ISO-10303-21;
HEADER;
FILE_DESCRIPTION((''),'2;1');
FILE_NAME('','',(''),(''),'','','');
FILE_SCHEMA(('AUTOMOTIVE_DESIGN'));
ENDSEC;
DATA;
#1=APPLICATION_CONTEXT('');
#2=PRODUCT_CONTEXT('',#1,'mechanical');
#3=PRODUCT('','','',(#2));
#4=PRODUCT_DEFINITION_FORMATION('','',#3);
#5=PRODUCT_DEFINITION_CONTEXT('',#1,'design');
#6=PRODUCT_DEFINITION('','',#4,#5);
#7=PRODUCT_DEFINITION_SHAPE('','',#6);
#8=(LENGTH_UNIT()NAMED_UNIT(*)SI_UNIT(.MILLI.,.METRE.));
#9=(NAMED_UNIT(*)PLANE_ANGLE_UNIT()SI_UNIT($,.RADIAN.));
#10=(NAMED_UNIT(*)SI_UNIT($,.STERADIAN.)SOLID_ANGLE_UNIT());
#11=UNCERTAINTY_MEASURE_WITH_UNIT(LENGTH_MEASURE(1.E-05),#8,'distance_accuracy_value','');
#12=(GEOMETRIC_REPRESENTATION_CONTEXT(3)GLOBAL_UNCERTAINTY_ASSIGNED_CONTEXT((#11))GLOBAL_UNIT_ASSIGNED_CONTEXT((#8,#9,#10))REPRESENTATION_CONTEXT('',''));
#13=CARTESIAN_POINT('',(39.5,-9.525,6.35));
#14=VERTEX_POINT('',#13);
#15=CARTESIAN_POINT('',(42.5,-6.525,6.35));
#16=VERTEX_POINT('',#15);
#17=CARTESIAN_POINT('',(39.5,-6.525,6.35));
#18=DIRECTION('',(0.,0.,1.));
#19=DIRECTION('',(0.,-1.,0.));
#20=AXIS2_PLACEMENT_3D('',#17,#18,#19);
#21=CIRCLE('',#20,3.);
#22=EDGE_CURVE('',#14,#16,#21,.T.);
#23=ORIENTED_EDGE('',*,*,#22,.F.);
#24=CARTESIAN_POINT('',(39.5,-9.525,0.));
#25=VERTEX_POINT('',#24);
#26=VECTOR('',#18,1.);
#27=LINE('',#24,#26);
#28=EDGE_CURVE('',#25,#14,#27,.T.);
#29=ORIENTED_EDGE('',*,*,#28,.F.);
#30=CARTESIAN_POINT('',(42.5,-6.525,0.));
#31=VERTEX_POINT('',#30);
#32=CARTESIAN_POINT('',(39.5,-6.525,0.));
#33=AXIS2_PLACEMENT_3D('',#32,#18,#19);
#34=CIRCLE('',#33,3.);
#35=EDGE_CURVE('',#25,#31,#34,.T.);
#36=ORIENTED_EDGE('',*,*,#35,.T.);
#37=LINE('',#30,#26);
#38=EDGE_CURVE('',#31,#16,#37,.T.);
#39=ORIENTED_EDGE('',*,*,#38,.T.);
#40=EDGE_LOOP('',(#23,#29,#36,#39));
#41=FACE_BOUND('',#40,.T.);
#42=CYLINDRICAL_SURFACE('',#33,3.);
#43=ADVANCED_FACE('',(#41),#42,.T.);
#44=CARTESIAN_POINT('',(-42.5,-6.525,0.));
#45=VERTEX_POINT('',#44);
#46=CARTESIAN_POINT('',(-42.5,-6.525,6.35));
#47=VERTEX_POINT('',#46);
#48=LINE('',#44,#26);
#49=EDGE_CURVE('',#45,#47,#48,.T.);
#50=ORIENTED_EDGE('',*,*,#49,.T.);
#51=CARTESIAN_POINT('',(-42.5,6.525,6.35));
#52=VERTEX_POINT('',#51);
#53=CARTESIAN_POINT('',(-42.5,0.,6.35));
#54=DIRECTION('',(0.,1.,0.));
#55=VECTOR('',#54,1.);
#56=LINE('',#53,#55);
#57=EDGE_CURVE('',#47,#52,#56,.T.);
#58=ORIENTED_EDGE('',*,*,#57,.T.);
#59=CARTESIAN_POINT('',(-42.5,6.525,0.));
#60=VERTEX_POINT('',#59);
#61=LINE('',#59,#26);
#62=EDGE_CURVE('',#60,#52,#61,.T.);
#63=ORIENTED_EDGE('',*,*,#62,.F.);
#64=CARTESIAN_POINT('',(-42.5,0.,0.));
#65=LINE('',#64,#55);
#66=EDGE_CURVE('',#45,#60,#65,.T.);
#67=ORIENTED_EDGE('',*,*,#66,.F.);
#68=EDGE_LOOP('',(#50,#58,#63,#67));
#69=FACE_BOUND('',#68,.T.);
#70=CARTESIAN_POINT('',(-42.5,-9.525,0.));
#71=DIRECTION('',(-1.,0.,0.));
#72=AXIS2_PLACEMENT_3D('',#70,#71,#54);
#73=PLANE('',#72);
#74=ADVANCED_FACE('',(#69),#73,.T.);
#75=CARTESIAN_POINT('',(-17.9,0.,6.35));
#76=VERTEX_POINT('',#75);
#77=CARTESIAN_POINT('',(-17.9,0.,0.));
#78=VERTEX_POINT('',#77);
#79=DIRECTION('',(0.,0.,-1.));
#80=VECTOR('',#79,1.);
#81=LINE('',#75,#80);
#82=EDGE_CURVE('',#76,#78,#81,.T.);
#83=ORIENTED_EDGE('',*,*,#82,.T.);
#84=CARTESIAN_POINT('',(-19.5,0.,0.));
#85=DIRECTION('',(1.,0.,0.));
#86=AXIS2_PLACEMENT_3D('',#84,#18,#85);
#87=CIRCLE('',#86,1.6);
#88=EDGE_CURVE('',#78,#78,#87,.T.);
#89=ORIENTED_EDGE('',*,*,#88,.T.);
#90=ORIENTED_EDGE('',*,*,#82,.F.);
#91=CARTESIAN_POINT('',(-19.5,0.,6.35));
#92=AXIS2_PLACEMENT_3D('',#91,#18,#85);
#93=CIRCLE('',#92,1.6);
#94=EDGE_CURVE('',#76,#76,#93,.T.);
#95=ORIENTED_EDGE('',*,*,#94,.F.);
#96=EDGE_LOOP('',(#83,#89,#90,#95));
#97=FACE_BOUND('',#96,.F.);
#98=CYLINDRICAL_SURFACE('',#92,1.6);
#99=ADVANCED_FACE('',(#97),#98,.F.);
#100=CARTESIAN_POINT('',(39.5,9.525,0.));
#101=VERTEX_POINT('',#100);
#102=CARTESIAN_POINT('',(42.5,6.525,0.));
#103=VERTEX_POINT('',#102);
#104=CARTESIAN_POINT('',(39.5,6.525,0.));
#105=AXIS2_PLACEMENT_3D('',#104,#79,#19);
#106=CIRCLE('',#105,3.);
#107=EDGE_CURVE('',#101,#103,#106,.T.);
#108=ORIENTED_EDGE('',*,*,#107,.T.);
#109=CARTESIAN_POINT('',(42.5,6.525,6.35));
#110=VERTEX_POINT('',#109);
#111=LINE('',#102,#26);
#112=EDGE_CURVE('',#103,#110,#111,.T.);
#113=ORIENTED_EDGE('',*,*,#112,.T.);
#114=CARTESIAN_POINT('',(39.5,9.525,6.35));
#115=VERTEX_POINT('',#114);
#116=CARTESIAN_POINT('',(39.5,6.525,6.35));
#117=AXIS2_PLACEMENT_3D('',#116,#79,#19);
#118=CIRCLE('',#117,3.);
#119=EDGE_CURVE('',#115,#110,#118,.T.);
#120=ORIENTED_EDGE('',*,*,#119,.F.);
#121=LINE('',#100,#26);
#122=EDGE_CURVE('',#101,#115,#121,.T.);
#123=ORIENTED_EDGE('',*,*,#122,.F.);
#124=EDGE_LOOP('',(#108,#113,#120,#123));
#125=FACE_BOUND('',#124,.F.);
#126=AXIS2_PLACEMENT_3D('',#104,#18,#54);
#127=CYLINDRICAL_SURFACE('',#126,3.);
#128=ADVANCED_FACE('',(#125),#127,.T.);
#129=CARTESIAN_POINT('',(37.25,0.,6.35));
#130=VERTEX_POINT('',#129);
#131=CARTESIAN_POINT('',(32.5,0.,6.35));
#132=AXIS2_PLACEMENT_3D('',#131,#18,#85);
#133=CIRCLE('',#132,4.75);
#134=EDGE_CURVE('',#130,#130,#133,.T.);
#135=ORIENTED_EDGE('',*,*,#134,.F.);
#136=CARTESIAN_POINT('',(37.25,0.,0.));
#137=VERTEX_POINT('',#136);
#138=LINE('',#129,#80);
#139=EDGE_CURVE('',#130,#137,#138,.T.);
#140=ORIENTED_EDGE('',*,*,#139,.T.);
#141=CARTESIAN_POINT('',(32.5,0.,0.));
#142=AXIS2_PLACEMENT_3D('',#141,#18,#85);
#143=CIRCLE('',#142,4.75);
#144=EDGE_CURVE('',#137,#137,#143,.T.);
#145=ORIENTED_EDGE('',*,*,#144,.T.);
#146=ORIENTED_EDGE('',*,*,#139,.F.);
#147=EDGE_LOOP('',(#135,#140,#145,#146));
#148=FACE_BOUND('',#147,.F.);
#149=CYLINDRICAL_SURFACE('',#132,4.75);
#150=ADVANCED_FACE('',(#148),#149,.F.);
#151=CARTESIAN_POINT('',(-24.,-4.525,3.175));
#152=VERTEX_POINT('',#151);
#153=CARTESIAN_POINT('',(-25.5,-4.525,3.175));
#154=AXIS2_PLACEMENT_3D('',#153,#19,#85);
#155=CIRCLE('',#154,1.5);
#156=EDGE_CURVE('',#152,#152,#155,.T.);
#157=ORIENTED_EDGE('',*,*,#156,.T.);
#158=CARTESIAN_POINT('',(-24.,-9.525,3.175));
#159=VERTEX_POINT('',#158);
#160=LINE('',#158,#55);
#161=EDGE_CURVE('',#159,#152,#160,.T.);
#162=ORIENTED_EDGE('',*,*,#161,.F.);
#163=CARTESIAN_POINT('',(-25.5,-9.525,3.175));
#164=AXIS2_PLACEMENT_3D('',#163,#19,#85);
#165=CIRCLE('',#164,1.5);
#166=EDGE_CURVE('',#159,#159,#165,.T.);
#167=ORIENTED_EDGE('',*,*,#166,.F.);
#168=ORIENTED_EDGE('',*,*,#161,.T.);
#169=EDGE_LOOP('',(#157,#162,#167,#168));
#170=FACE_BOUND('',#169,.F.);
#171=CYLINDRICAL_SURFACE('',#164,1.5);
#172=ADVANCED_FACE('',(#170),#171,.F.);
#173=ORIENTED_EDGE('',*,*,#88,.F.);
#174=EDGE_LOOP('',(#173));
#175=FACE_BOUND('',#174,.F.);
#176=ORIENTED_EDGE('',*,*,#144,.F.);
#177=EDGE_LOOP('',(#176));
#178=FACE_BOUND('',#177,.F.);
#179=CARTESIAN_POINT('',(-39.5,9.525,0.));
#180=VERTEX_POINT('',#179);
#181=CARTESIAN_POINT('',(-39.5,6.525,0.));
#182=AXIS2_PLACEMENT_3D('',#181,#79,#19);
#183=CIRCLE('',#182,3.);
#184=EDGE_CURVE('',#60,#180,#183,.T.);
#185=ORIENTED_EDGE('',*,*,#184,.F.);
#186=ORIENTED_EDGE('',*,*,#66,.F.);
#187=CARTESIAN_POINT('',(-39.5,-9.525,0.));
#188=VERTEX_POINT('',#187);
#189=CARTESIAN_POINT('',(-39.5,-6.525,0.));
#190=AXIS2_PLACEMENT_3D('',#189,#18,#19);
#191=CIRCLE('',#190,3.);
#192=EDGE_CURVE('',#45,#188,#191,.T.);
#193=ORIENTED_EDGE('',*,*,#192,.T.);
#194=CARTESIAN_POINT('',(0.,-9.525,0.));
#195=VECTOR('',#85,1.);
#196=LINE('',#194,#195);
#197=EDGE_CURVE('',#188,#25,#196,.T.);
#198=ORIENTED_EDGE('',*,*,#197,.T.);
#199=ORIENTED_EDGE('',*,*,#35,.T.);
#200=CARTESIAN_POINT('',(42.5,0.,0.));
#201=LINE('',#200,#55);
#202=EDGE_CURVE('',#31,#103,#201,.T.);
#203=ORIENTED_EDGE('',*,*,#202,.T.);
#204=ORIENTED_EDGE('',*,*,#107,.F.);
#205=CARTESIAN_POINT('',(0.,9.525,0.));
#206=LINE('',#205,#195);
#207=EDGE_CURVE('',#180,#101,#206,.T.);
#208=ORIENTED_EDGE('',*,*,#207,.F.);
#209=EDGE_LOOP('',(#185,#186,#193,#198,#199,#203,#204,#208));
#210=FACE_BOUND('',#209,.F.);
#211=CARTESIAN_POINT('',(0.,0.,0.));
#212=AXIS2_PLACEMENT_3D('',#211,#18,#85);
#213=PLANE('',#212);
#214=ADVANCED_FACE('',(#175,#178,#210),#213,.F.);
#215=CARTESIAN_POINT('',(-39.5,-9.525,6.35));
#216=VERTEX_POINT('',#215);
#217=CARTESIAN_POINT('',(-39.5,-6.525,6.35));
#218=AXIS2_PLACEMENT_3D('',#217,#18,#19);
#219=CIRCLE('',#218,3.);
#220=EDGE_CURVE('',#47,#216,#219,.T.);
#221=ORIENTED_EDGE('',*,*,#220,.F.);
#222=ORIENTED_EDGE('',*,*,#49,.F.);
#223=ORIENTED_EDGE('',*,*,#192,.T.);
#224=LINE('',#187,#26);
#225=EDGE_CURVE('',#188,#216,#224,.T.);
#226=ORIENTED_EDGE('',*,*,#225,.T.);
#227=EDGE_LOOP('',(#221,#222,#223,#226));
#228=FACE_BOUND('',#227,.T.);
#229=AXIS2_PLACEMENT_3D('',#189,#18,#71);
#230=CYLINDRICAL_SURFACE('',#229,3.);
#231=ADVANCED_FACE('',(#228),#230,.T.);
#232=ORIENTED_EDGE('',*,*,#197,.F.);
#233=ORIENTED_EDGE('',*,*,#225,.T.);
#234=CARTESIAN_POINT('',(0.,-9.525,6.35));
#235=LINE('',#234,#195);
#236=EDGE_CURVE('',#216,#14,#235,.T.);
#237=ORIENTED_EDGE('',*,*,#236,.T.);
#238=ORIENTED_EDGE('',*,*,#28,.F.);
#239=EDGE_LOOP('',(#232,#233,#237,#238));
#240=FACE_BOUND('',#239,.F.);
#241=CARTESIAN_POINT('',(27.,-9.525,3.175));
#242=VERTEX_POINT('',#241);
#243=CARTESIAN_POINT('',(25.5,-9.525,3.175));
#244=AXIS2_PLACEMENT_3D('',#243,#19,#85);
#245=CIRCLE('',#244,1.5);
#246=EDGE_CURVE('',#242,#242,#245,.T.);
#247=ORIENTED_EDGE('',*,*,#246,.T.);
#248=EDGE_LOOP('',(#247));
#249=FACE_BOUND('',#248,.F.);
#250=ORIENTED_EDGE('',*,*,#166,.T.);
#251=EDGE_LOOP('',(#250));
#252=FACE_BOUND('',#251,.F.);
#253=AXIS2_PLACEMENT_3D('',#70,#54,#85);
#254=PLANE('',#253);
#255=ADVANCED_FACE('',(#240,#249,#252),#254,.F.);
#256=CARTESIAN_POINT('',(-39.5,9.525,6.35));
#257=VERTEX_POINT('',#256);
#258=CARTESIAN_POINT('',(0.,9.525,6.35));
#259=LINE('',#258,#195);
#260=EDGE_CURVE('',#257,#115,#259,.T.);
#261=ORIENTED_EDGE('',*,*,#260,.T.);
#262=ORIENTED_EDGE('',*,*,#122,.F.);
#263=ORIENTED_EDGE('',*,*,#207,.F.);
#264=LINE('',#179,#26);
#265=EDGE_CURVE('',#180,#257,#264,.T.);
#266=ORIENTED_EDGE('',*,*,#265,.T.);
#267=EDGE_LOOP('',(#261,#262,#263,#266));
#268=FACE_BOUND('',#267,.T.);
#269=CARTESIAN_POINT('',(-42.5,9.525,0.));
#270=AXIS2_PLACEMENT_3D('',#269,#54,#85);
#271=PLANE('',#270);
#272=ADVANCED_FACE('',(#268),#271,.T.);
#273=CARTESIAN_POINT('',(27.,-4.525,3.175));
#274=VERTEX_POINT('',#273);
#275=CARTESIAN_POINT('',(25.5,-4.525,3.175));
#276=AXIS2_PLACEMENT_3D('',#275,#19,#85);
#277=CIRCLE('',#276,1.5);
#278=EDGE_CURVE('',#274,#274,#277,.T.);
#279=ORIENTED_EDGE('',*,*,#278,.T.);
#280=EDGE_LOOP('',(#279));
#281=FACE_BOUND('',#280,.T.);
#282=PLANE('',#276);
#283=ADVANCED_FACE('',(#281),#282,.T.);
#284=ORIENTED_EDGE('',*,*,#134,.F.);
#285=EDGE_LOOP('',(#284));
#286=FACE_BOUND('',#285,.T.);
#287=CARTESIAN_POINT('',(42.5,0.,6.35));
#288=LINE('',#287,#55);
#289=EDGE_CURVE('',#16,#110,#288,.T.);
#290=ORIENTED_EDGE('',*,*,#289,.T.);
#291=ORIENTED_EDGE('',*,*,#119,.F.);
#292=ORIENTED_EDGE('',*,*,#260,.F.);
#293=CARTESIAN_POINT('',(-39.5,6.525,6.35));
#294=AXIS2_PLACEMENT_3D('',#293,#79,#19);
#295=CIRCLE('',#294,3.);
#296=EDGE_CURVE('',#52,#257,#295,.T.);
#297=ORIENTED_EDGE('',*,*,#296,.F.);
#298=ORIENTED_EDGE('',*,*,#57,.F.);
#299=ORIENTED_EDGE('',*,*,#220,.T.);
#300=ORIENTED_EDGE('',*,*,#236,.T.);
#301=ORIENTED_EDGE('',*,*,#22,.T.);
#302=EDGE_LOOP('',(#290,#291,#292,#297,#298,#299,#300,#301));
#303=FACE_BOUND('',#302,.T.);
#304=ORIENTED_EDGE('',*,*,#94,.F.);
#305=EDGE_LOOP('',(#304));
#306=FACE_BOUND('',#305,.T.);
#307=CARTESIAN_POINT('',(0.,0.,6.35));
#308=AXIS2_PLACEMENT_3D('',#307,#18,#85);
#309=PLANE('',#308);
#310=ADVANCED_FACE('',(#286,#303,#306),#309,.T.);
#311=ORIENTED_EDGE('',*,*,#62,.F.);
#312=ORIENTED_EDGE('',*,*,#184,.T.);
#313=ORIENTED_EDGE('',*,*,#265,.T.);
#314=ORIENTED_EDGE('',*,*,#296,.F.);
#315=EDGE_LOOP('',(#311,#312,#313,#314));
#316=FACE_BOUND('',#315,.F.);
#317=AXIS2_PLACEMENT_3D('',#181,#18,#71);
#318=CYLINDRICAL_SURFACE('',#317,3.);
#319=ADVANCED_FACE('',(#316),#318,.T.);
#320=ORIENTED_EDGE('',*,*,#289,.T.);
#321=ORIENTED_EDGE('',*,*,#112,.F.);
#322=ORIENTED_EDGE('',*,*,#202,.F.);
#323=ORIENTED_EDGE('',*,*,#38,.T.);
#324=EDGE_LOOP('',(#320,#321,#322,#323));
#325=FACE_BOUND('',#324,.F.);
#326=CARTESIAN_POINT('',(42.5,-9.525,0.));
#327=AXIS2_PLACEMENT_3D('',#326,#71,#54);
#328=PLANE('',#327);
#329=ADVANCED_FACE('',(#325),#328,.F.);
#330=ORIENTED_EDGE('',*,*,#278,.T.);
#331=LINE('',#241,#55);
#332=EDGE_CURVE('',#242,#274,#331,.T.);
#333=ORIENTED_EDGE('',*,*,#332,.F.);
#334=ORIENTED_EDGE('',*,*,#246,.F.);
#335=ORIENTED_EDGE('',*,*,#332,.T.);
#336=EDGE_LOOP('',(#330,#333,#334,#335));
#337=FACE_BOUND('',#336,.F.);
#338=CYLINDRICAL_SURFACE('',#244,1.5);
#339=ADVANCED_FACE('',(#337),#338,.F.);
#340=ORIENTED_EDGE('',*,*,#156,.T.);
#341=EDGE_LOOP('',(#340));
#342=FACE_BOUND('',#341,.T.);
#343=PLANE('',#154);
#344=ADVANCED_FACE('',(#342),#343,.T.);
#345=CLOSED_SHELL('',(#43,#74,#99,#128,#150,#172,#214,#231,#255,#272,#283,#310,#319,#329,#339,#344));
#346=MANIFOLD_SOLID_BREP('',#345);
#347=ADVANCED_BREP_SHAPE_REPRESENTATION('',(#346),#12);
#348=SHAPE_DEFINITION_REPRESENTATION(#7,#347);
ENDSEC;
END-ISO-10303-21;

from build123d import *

# Parameters (mm, degrees)
F0_W     = 85
F0_H     = 19.05
F1_DEPTH = 6.35
F2_R     = 1.5
F3_DEPTH = 5
F4_DEPTH = 5
F5_R     = 3
F6_R     = 3
F7_R     = 3
F8_R     = 1.6
F8_R_2   = 4.75
F9_DEPTH = 25


with BuildPart() as f1:
    # F0 (on Top) → F1 (new body)
    with BuildSketch(Plane.XY):
        Rectangle(F0_W, F0_H)
    extrude(amount=F1_DEPTH)

    # F2 (on face) → F3 (cut)
    with BuildSketch(Plane.XZ.offset(9.525)):
        with Locations((-25.5, 3.175)):
            Circle(F2_R)
    extrude(amount=-F3_DEPTH, mode=Mode.SUBTRACT)

    # F2 (on face) → F4 (cut)
    with BuildSketch(Plane.XZ.offset(9.525)):
        with Locations((25.5, 3.175)):
            Circle(F2_R)
    extrude(amount=-F4_DEPTH, mode=Mode.SUBTRACT)

    # F5
    f5_edges = [f1.edges().sort_by_distance(p)[0] for p in [
        (-42.5, 9.525, 3.175),
    ]]
    fillet(f5_edges, radius=F5_R)

    # F6
    f6_edges = [f1.edges().sort_by_distance(p)[0] for p in [
        (-42.5, -9.525, 3.175),
    ]]
    fillet(f6_edges, radius=F6_R)

    # F7
    f7_edges = [f1.edges().sort_by_distance(p)[0] for p in [
        (42.5, 9.525, 3.175),
        (42.5, -9.525, 3.175),
    ]]
    fillet(f7_edges, radius=F7_R)

    # F8 (on face) → F9 (cut)
    with BuildSketch(Plane.XY.offset(6.35)):
        with Locations((-19.5, 0)):
            Circle(F8_R)
        with Locations((32.5, 0)):
            Circle(F8_R_2)
    extrude(amount=-F9_DEPTH, mode=Mode.SUBTRACT)


solid = f1.part
